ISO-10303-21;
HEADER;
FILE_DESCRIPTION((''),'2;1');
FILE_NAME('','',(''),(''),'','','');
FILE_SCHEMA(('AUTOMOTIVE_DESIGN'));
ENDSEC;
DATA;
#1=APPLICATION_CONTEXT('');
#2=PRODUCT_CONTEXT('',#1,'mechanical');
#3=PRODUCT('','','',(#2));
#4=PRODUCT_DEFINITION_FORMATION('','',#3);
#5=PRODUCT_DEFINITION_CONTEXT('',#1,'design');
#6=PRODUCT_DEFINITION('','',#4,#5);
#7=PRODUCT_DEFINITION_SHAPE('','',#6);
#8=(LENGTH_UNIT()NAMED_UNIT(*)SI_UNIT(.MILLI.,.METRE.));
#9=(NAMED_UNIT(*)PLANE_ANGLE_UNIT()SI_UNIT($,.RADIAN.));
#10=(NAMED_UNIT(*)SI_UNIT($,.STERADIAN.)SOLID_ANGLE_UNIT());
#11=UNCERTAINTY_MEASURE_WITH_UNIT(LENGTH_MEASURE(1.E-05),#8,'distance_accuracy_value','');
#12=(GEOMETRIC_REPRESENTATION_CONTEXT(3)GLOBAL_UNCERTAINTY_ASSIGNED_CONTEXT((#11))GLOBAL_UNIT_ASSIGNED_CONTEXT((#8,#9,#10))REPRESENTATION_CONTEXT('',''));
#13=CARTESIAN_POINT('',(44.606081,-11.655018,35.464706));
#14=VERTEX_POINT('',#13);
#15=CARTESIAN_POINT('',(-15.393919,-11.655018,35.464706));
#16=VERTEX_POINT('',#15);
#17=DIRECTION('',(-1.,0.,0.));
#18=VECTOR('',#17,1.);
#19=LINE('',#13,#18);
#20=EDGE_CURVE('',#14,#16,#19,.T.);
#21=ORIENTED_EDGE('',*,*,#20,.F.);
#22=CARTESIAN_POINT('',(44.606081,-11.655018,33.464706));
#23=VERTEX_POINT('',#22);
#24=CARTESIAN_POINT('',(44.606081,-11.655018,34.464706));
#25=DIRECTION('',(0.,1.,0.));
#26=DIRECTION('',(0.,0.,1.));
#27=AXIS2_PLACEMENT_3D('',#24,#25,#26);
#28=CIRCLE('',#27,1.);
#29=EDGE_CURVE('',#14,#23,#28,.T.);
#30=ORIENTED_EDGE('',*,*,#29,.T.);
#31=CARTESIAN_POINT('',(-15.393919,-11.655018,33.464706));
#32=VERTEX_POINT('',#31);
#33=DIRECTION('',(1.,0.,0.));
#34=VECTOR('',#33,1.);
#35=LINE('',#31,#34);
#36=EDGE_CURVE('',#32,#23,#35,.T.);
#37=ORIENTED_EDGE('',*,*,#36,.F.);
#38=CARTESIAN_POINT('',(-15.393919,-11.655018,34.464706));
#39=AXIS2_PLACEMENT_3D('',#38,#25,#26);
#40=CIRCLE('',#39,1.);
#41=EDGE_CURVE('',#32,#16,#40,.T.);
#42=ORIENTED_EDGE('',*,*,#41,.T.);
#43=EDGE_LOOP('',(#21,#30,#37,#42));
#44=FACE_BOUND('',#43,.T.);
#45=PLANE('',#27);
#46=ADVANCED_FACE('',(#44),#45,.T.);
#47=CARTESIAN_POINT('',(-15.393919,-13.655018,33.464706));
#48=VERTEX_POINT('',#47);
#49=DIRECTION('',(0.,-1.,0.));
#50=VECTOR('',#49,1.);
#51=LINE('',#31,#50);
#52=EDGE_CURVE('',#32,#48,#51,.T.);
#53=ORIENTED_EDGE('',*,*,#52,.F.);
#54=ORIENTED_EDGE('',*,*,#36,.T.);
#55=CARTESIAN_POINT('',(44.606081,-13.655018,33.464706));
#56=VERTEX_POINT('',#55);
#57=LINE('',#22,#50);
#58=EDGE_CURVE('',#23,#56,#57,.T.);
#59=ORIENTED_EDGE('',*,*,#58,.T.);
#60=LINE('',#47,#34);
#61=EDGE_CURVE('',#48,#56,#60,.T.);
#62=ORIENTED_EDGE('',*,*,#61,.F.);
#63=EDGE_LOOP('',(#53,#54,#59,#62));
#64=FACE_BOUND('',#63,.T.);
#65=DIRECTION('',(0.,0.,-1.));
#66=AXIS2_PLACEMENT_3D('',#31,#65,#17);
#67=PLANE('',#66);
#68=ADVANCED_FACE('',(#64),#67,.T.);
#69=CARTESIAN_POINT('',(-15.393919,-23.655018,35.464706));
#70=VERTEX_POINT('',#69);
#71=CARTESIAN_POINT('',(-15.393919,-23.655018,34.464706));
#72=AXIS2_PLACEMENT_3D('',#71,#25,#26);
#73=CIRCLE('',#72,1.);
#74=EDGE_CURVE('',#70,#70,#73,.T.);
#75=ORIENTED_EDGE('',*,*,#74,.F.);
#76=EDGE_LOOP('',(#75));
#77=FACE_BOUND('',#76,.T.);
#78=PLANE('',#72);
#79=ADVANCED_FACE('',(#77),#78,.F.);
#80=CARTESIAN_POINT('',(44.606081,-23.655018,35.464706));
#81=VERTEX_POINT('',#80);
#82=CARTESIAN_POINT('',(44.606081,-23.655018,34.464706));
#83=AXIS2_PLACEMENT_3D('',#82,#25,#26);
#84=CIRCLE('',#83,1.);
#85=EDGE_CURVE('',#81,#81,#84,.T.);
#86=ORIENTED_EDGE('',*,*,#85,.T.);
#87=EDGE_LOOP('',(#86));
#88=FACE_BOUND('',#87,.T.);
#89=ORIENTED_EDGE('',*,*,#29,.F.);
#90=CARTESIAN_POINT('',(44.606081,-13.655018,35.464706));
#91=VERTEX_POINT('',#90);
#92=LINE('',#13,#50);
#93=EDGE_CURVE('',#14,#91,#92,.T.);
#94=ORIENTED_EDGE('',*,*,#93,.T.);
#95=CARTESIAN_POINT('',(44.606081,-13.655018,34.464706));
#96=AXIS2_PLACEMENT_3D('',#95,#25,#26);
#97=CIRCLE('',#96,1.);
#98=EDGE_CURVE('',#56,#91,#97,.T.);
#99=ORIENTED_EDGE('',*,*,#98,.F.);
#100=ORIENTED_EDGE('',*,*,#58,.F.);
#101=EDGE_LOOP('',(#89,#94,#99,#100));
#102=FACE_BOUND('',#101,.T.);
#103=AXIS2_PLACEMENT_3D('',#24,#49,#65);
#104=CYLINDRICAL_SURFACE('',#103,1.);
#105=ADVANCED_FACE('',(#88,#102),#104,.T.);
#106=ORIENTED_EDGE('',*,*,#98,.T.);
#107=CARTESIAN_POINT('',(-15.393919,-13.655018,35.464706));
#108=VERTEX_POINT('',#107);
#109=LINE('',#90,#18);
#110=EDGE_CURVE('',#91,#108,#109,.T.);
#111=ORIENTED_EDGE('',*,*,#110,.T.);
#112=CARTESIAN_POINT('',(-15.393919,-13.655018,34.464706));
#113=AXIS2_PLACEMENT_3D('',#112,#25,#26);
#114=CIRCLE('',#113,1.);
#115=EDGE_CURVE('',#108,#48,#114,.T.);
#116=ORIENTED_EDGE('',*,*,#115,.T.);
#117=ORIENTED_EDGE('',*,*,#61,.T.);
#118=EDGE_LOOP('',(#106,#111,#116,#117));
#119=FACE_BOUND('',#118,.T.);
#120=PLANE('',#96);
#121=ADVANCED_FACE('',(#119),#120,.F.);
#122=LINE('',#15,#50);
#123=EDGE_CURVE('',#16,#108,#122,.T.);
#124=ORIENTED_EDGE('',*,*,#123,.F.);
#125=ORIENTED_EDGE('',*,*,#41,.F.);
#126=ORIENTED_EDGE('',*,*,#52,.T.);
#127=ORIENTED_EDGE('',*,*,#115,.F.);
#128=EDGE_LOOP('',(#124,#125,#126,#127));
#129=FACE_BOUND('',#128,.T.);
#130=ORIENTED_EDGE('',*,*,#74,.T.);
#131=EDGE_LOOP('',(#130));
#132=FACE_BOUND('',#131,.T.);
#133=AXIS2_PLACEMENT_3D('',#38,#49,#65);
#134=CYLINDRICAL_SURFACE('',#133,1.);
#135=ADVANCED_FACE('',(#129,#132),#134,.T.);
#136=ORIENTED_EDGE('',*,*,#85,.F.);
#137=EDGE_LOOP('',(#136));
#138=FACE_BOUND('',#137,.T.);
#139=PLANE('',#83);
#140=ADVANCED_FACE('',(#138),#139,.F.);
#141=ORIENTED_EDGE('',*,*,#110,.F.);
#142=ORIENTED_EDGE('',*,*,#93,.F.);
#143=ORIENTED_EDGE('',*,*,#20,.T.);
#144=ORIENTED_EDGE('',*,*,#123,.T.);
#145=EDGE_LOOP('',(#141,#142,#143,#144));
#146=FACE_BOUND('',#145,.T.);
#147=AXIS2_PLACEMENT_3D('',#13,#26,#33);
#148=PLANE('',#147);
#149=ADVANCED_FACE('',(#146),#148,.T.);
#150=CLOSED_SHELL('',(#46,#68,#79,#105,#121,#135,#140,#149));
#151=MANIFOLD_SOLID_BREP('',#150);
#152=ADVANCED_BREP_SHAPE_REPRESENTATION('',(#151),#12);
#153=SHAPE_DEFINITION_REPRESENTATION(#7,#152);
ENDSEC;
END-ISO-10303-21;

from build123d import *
from build123d.topology import SkipClean

# Parameters (mm, degrees)
SALIENTE_EXTRUIR1_DEPTH = 2
SALIENTE_EXTRUIR2_START = -12
CROQUIS2_R              = 1
SALIENTE_EXTRUIR2_DEPTH = 12


with BuildPart() as part:
    # Croquis1 → Saliente-Extruir1 (new body)
    with BuildSketch(Plane(origin=(0, -13.655018192, 0), x_dir=(1, 0, 0), z_dir=(0, 1, 0))):
        with BuildLine():
            Line((-15.39391873, -33.464706181), (44.60608127, -33.464706181))
            ThreePointArc((44.60608127, -33.464706181), (45.60608127, -34.464706181), (44.60608127, -35.464706181))
            Line((44.60608127, -35.464706181), (-15.39391873, -35.464706181))
            ThreePointArc((-15.39391873, -35.464706181), (-16.39391873, -34.464706181), (-15.39391873, -33.464706181))
        make_face()
    extrude(amount=SALIENTE_EXTRUIR1_DEPTH)

    # Croquis2 → Saliente-Extruir2 (add)
    with SkipClean():  # the faces are left unmerged after this step: merging them gives an invalid solid
        with BuildSketch(Plane(origin=(0, -11.655018192, 0), x_dir=(1, 0, 0), z_dir=(0, 1, 0)).offset(SALIENTE_EXTRUIR2_START)):
            with Locations(Location((-15.39391873, -34.464706181, 0), (0, 0, 270))):
                Circle(CROQUIS2_R)
            with Locations(Location((44.60608127, -34.464706181, 0), (0, 0, 270))):
                Circle(CROQUIS2_R)
        extrude(amount=SALIENTE_EXTRUIR2_DEPTH)


solid = part.part
